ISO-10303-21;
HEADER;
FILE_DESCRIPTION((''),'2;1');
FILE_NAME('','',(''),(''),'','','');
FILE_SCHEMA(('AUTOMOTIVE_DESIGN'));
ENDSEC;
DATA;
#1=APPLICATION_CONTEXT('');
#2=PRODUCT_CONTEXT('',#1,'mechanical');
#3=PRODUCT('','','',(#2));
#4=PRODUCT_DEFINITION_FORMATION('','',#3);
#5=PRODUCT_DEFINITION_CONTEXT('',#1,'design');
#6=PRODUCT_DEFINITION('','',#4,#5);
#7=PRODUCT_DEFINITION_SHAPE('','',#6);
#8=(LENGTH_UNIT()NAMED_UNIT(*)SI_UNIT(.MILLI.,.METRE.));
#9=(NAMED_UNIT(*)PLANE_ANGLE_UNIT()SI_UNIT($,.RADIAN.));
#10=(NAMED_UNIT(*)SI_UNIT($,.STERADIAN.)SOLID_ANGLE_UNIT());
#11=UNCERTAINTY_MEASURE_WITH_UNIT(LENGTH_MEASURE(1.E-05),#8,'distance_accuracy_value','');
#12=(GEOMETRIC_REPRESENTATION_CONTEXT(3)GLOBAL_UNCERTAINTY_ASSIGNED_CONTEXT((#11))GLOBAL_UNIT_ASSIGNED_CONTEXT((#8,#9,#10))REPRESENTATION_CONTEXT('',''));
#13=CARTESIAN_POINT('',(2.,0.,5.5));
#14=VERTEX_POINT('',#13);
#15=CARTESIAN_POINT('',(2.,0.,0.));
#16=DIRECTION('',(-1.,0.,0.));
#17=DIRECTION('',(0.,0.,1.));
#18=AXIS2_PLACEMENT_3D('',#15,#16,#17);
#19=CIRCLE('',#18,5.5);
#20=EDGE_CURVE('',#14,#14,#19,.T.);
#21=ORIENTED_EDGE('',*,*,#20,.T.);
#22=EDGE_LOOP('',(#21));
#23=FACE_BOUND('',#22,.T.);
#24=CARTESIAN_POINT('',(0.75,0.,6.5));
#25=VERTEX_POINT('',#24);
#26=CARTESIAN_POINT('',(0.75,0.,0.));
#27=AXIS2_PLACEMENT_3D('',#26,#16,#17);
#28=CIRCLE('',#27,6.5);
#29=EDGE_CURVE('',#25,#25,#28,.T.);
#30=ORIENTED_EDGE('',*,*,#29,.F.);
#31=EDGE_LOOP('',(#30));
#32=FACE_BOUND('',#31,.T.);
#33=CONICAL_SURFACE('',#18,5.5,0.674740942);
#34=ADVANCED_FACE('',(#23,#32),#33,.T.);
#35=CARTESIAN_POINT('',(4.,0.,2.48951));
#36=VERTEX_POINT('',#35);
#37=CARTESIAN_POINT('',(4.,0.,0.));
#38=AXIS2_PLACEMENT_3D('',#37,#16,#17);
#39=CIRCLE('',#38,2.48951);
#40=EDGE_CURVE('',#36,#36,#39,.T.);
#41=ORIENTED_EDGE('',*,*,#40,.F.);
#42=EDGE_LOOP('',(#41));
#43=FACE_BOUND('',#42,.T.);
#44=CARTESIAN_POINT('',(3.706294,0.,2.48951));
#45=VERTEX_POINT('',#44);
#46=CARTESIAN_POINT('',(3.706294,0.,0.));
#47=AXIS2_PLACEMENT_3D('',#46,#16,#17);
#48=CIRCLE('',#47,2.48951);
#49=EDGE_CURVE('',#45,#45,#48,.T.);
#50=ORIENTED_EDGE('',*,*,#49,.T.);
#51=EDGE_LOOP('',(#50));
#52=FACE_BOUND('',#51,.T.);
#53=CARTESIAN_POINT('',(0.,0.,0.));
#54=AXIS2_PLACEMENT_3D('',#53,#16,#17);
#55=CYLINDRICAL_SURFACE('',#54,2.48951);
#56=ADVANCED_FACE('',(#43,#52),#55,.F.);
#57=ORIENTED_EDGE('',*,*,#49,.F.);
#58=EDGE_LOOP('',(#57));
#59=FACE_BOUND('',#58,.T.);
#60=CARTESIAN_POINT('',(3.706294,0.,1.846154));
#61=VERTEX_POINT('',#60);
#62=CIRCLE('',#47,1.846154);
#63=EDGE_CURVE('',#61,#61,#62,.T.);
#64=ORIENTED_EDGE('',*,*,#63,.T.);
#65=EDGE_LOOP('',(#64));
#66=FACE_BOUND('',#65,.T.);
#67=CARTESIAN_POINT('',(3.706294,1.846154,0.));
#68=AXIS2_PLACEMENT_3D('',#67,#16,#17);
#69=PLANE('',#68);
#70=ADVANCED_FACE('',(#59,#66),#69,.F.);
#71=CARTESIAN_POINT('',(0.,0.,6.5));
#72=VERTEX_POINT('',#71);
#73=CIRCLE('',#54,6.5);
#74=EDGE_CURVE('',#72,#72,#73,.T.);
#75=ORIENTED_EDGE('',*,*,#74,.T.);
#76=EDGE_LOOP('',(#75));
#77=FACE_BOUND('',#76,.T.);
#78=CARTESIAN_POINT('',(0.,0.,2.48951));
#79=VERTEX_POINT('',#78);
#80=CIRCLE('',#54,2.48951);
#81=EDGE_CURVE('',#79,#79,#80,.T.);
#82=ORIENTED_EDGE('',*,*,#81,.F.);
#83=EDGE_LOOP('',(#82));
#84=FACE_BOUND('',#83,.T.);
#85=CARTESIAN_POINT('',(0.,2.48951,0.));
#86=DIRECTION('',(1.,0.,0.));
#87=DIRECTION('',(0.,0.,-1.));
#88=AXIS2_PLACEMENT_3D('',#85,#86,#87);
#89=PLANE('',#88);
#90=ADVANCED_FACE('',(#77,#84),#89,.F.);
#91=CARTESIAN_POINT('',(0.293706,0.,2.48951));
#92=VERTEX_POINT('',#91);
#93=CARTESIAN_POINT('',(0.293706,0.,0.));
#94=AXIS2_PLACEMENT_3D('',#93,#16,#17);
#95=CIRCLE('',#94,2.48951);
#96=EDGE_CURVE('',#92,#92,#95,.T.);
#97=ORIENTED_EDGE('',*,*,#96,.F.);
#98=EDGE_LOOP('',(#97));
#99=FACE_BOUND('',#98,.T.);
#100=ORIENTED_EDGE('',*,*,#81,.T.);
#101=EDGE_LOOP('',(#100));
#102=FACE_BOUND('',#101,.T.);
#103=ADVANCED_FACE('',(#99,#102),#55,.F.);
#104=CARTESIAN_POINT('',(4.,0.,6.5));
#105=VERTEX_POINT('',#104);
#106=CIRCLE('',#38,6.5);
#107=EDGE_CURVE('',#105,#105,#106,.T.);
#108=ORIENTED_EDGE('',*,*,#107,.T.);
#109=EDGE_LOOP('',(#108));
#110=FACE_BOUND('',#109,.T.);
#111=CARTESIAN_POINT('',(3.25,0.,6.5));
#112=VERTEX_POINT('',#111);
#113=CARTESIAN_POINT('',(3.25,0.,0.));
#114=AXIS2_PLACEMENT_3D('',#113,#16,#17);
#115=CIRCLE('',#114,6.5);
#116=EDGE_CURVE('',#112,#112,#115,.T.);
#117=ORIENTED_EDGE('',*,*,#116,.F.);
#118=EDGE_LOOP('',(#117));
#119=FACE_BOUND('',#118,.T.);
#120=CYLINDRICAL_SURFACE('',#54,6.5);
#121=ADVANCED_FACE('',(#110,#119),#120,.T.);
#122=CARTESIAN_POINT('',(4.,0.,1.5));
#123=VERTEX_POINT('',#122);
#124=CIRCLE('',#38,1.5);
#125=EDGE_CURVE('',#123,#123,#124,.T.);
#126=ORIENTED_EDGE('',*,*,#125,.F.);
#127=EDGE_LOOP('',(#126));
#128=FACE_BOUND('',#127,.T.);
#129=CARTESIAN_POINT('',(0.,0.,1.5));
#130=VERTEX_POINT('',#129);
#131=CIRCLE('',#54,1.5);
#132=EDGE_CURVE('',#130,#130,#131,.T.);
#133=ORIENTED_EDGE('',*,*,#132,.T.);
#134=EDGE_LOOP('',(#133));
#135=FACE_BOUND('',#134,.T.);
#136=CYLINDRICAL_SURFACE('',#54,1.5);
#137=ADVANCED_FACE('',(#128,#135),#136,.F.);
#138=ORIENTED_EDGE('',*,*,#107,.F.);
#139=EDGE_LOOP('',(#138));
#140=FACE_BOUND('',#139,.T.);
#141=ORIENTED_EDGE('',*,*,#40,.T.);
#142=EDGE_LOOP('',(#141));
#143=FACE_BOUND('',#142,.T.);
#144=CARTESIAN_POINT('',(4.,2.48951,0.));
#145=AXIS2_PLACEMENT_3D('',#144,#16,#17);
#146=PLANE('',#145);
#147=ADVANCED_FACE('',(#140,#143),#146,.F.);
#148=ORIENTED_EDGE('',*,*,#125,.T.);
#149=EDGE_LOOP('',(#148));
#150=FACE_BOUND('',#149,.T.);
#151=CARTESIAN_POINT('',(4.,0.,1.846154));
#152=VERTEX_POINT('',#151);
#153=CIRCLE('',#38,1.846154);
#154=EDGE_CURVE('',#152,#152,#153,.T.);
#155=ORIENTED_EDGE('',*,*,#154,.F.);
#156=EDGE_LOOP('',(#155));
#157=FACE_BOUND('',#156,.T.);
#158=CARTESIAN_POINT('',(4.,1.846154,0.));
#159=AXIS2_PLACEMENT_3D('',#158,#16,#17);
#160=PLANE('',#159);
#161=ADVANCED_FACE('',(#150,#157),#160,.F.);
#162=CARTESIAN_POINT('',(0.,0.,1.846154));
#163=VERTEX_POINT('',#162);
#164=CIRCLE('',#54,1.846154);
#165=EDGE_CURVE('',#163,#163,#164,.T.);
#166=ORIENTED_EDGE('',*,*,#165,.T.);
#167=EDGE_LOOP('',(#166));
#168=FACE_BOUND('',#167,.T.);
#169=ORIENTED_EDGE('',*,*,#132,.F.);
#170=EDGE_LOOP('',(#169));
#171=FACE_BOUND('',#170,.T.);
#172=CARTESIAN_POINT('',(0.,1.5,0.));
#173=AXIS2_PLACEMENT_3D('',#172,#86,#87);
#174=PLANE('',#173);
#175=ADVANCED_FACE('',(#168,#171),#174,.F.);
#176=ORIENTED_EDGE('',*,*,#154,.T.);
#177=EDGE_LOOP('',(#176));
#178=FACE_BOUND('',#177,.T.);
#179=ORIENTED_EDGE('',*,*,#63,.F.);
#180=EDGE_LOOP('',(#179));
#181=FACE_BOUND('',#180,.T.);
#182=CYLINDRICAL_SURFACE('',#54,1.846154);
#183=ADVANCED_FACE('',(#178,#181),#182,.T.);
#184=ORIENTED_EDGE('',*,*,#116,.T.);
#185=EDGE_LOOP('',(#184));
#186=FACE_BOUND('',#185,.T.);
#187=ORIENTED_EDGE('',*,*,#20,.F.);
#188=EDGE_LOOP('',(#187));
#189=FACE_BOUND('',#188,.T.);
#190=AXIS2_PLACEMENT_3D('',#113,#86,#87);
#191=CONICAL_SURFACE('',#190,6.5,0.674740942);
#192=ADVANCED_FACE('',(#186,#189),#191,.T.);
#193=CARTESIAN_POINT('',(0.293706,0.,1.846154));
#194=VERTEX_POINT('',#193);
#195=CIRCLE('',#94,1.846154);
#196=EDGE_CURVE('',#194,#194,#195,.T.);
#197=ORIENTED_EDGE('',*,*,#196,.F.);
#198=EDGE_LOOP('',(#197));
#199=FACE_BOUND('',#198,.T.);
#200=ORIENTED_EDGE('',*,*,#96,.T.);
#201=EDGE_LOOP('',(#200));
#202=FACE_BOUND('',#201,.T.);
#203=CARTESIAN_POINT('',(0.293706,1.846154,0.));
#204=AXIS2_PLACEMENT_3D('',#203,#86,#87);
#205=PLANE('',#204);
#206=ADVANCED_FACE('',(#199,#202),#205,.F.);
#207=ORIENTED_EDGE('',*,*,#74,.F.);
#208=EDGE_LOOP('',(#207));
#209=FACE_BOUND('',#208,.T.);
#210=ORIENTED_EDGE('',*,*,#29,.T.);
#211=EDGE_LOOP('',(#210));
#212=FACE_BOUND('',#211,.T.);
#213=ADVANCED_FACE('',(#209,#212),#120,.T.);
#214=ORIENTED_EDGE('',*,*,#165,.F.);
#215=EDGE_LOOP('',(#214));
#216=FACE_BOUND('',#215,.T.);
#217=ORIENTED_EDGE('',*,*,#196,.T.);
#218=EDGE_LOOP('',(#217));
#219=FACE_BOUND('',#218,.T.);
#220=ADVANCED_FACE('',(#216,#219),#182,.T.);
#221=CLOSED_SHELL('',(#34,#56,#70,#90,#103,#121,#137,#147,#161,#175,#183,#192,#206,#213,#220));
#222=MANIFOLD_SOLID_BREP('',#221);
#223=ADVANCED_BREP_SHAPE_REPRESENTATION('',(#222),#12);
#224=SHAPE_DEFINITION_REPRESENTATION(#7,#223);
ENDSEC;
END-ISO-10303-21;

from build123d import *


with BuildPart() as part:
    # Sketch1 → Revolve1 (revolve)
    with BuildSketch(Plane.XY):
        Polygon((0, 6.5), (0.75, 6.5), (2, 5.5), (3.25, 6.5), (4, 6.5), (4, 2.48951049), (3.706293706, 2.48951049), (3.706293706, 1.846153846), (4, 1.846153846), (4, 1.5), (0, 1.5), (0, 1.846153846), (0.293706294, 1.846153846), (0.293706294, 2.48951049), (0, 2.48951049), align=None)
    revolve(axis=Axis((0, 0, 0), (1, 0, 0)))


solid = part.part
